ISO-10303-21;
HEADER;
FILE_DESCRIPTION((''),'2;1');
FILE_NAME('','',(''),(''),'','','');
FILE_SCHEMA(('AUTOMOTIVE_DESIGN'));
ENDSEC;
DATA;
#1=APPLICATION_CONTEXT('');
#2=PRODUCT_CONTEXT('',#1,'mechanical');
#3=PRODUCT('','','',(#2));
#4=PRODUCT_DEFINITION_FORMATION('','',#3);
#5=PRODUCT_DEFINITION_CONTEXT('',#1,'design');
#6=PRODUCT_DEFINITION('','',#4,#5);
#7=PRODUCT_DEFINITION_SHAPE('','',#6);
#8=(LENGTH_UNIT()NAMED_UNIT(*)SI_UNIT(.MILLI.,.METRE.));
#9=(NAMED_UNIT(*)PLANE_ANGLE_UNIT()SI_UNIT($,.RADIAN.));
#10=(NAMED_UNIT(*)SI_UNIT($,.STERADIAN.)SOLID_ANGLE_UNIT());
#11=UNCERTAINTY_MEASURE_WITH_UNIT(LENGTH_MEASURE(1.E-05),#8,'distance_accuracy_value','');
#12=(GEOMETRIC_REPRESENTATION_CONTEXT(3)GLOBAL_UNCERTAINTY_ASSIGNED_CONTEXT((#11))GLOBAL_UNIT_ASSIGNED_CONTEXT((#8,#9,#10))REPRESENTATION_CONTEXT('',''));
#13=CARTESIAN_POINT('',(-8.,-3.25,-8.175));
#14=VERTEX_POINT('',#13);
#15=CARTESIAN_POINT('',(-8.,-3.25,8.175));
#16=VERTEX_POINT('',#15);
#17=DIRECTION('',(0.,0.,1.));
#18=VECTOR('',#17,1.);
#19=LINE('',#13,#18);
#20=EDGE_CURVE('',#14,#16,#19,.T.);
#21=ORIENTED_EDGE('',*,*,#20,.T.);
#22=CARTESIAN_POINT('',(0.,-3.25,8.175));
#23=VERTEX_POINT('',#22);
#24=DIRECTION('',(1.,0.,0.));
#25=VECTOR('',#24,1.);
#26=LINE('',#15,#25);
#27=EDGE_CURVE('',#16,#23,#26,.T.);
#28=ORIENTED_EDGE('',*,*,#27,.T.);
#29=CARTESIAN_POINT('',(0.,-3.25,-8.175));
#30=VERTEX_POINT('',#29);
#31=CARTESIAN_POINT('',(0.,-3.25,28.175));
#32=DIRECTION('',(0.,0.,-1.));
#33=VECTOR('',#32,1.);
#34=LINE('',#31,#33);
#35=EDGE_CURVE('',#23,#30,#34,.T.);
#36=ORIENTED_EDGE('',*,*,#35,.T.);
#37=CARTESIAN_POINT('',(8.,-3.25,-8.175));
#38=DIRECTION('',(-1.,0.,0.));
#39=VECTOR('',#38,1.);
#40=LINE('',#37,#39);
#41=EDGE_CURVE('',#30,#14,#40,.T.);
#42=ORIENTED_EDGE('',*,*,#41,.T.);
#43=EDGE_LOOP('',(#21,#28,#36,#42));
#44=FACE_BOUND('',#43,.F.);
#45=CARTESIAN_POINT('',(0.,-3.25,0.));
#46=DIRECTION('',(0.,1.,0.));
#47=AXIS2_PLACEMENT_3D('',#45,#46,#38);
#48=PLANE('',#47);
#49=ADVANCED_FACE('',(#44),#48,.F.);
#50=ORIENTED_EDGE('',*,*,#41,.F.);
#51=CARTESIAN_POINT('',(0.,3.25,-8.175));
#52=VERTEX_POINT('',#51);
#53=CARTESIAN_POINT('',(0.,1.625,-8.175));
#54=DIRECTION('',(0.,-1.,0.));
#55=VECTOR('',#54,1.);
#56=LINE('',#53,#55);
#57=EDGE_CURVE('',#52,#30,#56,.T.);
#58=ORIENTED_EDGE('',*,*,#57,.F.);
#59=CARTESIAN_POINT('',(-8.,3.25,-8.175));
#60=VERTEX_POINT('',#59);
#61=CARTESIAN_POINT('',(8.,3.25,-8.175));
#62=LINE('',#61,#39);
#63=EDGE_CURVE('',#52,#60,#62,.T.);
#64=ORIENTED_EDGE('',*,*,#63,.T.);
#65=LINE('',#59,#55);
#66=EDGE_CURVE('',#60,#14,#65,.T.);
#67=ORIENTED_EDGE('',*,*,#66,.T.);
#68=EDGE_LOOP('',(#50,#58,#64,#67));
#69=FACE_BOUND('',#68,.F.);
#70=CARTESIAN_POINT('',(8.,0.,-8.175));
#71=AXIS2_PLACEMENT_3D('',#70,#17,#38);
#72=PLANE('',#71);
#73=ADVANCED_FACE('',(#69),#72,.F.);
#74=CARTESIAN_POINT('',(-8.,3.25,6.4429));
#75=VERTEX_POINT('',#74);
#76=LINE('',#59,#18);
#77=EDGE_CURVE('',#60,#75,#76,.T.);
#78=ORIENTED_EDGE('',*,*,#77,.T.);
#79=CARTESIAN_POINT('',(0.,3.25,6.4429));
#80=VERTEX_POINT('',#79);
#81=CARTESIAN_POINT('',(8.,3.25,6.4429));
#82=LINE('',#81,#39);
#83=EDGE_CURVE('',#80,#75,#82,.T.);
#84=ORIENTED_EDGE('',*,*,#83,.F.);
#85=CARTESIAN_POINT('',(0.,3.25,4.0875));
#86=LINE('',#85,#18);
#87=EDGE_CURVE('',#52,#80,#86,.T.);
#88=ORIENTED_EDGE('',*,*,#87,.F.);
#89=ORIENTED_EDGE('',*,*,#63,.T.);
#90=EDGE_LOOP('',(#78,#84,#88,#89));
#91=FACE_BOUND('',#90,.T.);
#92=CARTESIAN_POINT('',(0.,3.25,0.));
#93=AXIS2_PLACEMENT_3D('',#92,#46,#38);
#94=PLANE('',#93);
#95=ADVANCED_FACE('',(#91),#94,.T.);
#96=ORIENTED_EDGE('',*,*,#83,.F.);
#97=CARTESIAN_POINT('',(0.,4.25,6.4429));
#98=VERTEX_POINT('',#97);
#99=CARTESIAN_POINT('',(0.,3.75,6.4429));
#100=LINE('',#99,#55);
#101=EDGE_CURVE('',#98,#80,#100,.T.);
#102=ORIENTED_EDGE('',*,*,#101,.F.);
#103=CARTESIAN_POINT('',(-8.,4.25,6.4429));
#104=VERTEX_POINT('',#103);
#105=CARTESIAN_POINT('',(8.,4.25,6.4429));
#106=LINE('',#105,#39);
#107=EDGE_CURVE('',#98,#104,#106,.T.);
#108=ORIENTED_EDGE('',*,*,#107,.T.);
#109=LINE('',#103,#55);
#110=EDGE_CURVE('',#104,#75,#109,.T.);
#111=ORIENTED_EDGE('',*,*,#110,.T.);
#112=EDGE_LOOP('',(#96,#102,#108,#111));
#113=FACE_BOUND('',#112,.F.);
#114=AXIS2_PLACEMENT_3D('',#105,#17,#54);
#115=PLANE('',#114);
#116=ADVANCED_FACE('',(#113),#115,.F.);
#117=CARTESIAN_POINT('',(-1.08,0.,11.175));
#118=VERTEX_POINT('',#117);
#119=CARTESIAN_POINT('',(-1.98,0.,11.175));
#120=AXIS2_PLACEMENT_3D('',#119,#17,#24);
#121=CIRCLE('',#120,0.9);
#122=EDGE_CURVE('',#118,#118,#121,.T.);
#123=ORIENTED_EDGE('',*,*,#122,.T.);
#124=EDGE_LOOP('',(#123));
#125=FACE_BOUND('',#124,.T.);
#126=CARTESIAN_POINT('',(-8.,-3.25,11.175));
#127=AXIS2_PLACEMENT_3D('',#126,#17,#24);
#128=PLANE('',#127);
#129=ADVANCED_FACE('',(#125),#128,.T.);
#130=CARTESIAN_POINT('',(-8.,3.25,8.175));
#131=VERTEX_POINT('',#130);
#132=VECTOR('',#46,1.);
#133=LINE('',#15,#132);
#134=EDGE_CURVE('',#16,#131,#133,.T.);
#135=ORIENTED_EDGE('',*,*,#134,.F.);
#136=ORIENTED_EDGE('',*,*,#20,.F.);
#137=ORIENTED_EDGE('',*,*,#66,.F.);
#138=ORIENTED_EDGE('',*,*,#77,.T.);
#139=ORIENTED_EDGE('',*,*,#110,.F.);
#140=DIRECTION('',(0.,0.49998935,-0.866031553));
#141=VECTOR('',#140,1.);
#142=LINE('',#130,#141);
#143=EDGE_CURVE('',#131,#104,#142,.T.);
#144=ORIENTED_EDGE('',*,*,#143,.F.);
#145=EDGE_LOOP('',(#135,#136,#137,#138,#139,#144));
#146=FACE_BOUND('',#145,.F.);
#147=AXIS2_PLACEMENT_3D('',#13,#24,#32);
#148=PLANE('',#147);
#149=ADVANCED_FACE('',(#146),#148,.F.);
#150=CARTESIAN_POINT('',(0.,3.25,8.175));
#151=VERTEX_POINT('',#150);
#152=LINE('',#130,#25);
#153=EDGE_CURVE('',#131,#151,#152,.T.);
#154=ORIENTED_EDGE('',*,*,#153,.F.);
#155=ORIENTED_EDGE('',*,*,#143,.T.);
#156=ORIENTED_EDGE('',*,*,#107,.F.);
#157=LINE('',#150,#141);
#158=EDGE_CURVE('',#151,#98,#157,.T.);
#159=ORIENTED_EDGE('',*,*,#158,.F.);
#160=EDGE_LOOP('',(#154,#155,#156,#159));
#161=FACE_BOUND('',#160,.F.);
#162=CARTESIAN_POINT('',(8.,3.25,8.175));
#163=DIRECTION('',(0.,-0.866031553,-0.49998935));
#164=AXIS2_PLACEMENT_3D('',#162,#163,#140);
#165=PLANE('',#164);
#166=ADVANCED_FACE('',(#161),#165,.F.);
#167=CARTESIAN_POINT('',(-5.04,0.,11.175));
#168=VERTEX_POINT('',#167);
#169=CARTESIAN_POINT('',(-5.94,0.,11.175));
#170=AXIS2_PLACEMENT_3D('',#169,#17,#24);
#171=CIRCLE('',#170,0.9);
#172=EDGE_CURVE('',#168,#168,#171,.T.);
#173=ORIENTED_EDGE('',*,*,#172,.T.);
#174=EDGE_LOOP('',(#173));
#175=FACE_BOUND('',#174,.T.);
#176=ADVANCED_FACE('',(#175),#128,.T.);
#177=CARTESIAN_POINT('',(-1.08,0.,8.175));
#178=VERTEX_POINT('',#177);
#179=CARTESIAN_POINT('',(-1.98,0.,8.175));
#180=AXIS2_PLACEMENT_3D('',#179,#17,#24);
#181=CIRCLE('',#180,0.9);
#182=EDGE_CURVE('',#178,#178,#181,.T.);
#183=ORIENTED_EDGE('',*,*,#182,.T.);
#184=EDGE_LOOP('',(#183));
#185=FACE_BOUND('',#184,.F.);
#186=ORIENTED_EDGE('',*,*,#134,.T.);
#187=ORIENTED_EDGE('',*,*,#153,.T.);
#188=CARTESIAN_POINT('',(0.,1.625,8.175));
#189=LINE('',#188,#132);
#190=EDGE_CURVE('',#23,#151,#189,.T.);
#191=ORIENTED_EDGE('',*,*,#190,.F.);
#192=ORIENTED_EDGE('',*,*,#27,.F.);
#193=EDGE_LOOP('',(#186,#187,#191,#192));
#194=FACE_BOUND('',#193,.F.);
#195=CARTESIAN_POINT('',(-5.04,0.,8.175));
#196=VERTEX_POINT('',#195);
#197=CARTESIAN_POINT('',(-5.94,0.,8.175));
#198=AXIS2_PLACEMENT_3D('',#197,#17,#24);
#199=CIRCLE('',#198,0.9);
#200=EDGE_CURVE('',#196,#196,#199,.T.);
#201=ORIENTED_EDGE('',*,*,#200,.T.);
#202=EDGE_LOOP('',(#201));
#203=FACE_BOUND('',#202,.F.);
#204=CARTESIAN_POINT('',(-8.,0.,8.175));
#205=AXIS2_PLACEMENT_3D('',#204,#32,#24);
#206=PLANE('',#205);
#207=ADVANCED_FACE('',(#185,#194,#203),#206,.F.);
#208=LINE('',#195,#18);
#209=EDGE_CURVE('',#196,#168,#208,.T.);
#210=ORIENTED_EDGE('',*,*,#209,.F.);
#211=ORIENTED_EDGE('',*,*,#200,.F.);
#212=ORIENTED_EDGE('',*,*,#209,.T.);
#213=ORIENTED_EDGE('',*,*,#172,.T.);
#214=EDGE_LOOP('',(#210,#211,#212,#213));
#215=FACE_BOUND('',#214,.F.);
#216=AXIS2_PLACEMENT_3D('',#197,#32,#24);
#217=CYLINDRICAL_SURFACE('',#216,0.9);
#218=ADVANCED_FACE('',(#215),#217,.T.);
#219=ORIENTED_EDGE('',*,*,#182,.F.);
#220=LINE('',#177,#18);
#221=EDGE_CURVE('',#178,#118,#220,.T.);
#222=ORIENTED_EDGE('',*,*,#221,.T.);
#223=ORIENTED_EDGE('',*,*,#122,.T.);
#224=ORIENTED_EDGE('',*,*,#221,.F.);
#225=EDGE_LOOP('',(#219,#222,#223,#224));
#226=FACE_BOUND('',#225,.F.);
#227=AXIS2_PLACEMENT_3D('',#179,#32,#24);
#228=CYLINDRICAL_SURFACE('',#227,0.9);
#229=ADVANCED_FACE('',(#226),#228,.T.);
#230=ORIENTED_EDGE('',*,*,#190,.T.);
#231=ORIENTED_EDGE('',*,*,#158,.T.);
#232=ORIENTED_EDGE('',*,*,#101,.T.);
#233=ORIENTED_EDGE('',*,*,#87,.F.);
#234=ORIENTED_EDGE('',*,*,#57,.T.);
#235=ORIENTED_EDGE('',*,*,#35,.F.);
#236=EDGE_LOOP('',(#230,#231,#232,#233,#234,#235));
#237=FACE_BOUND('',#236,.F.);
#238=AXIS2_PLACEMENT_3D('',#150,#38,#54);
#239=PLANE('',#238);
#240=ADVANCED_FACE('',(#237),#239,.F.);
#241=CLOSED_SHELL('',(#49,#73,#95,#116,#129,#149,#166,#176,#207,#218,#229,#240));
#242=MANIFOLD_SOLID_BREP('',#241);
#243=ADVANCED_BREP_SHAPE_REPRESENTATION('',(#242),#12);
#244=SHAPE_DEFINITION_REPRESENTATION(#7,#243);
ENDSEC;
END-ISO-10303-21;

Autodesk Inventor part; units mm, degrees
ref_plane "YZ Plane" through (0, 0, 0) normal (1, 0, 0) x (0, 1, 0)
ref_plane "XZ Plane" through (0, 0, 0) normal (0, 1, 0) x (-1, 0, 0)
ref_plane "XY Plane" through (0, 0, 0) normal (0, 0, 1) x (1, 0, 0)
sketch "Boceto1" plane through (0, 0, 0) normal (0, 1, 0) x (-1, 0, 0)
  line L0 (8, 8.175) -> (-8, 8.175)
  line L1 (-8, 8.175) -> (-8, -8.175)
  line L2 (-8, -8.175) -> (8, -8.175)
  line L3 (8, -8.175) -> (8, 8.175)
  point P0 (0, 0)
  dimension "d0" = 16.35
  dimension "d1" = 16
  dimension "d2" = 8
  dimension "d3" = 8.175
extrude "Extrusión1" add sketch "Boceto1" along normal mid plane 6.5
sketch "Boceto2" plane through (8, -3.25, -8.175) normal (1, 0, 0) x (0, 0, -1)
  line L0 (0, 0) -> (0, 6.5) projected
  line L1 (-16.35, 6.5) -> (0, 6.5) projected
  line L2 (-16.35, 0) -> (-16.35, 6.5) projected
  line L3 (0, 0) -> (-16.35, 0) projected
  line L4 (0, 6.5) -> (-16.35, 6.5) projected
  line L5 (-16.35, 6.5) -> (-14.6179, 7.5)
  line L6 (-14.6179, 7.5) -> (-14.6179, 6.5)
  line L7 (-16.35, 6.5) -> (-14.6179, 6.5)
  point P0 (-8.175, 3.25)
  dimension "d6" = 7.5
  dimension "d7" = 60
extrude "Extrusión2" add sketch "Boceto2" against normal blind 16 contours L1 L5 L6
sketch "Boceto3" plane through (-8, -3.25, 8.175) normal (0, 0, 1) x (1, 0, 0)
  line L0 (16, 0) -> (16, 6.5) projected
  line L1 (0, 6.5) -> (16, 6.5) projected
  line L2 (0, 0) -> (0, 6.5) projected
  line L3 (16, 0) -> (0, 0) projected
  circle A0 centre (13.94, 3.25) radius 0.9
  circle A1 centre (9.98, 3.25) radius 0.9
  circle A2 centre (6.02, 3.25) radius 0.9
  circle A3 centre (2.06, 3.25) radius 0.9
  point P0 (8, 3.25)
  dimension "d10" = 3.25
  dimension "P" = 3.96
  dimension "d12" = 3.96
  dimension "d13" = 3.96
  dimension "d14" = 2.06
  dimension "d15" = 1.8
  dimension "d16" = 1.8
  dimension "d17" = 1.8
  dimension "d18" = 1.8
extrude "Extrusión3" add sketch "Boceto3" along normal blind 3 contours A0 | A1 | A2 | A3
sketch "Boceto4" plane through (-8, -3.25, 8.175) normal (0, 0, 1) x (1, 0, 0)
  circle A0 centre (6.02, 3.25) radius 0.9 projected
  circle A1 centre (9.98, 3.25) radius 0.9 projected
  circle A2 centre (2.06, 3.25) radius 0.9 projected
  circle A3 centre (13.94, 3.25) radius 0.9 projected
  line L0 (16, 0) -> (16, 6.5) projected
  line L1 (0, 6.5) -> (16, 6.5) projected
  line L2 (0, 0) -> (0, 6.5) projected
  line L3 (16, 0) -> (0, 0) projected
  line L4 (8, 0) -> (16.3652, 0)
  line L5 (16.3652, 0) -> (16.3652, 8.0001)
  line L6 (16.3652, 8.0001) -> (8, 8.0001)
  line L7 (8, 8.0001) -> (8, 0)
  point P0 (8, 3.25)
extrude "Extrusión4" cut sketch "Boceto4" against normal mid plane 40 contours A1 | A3 | L3 L7 L1 L0 | L0 L1 L7 L6 L5 L4
equation "\"d12\" = P"
equation "\"d13\" = P"
properties part number "conector_4pines"
